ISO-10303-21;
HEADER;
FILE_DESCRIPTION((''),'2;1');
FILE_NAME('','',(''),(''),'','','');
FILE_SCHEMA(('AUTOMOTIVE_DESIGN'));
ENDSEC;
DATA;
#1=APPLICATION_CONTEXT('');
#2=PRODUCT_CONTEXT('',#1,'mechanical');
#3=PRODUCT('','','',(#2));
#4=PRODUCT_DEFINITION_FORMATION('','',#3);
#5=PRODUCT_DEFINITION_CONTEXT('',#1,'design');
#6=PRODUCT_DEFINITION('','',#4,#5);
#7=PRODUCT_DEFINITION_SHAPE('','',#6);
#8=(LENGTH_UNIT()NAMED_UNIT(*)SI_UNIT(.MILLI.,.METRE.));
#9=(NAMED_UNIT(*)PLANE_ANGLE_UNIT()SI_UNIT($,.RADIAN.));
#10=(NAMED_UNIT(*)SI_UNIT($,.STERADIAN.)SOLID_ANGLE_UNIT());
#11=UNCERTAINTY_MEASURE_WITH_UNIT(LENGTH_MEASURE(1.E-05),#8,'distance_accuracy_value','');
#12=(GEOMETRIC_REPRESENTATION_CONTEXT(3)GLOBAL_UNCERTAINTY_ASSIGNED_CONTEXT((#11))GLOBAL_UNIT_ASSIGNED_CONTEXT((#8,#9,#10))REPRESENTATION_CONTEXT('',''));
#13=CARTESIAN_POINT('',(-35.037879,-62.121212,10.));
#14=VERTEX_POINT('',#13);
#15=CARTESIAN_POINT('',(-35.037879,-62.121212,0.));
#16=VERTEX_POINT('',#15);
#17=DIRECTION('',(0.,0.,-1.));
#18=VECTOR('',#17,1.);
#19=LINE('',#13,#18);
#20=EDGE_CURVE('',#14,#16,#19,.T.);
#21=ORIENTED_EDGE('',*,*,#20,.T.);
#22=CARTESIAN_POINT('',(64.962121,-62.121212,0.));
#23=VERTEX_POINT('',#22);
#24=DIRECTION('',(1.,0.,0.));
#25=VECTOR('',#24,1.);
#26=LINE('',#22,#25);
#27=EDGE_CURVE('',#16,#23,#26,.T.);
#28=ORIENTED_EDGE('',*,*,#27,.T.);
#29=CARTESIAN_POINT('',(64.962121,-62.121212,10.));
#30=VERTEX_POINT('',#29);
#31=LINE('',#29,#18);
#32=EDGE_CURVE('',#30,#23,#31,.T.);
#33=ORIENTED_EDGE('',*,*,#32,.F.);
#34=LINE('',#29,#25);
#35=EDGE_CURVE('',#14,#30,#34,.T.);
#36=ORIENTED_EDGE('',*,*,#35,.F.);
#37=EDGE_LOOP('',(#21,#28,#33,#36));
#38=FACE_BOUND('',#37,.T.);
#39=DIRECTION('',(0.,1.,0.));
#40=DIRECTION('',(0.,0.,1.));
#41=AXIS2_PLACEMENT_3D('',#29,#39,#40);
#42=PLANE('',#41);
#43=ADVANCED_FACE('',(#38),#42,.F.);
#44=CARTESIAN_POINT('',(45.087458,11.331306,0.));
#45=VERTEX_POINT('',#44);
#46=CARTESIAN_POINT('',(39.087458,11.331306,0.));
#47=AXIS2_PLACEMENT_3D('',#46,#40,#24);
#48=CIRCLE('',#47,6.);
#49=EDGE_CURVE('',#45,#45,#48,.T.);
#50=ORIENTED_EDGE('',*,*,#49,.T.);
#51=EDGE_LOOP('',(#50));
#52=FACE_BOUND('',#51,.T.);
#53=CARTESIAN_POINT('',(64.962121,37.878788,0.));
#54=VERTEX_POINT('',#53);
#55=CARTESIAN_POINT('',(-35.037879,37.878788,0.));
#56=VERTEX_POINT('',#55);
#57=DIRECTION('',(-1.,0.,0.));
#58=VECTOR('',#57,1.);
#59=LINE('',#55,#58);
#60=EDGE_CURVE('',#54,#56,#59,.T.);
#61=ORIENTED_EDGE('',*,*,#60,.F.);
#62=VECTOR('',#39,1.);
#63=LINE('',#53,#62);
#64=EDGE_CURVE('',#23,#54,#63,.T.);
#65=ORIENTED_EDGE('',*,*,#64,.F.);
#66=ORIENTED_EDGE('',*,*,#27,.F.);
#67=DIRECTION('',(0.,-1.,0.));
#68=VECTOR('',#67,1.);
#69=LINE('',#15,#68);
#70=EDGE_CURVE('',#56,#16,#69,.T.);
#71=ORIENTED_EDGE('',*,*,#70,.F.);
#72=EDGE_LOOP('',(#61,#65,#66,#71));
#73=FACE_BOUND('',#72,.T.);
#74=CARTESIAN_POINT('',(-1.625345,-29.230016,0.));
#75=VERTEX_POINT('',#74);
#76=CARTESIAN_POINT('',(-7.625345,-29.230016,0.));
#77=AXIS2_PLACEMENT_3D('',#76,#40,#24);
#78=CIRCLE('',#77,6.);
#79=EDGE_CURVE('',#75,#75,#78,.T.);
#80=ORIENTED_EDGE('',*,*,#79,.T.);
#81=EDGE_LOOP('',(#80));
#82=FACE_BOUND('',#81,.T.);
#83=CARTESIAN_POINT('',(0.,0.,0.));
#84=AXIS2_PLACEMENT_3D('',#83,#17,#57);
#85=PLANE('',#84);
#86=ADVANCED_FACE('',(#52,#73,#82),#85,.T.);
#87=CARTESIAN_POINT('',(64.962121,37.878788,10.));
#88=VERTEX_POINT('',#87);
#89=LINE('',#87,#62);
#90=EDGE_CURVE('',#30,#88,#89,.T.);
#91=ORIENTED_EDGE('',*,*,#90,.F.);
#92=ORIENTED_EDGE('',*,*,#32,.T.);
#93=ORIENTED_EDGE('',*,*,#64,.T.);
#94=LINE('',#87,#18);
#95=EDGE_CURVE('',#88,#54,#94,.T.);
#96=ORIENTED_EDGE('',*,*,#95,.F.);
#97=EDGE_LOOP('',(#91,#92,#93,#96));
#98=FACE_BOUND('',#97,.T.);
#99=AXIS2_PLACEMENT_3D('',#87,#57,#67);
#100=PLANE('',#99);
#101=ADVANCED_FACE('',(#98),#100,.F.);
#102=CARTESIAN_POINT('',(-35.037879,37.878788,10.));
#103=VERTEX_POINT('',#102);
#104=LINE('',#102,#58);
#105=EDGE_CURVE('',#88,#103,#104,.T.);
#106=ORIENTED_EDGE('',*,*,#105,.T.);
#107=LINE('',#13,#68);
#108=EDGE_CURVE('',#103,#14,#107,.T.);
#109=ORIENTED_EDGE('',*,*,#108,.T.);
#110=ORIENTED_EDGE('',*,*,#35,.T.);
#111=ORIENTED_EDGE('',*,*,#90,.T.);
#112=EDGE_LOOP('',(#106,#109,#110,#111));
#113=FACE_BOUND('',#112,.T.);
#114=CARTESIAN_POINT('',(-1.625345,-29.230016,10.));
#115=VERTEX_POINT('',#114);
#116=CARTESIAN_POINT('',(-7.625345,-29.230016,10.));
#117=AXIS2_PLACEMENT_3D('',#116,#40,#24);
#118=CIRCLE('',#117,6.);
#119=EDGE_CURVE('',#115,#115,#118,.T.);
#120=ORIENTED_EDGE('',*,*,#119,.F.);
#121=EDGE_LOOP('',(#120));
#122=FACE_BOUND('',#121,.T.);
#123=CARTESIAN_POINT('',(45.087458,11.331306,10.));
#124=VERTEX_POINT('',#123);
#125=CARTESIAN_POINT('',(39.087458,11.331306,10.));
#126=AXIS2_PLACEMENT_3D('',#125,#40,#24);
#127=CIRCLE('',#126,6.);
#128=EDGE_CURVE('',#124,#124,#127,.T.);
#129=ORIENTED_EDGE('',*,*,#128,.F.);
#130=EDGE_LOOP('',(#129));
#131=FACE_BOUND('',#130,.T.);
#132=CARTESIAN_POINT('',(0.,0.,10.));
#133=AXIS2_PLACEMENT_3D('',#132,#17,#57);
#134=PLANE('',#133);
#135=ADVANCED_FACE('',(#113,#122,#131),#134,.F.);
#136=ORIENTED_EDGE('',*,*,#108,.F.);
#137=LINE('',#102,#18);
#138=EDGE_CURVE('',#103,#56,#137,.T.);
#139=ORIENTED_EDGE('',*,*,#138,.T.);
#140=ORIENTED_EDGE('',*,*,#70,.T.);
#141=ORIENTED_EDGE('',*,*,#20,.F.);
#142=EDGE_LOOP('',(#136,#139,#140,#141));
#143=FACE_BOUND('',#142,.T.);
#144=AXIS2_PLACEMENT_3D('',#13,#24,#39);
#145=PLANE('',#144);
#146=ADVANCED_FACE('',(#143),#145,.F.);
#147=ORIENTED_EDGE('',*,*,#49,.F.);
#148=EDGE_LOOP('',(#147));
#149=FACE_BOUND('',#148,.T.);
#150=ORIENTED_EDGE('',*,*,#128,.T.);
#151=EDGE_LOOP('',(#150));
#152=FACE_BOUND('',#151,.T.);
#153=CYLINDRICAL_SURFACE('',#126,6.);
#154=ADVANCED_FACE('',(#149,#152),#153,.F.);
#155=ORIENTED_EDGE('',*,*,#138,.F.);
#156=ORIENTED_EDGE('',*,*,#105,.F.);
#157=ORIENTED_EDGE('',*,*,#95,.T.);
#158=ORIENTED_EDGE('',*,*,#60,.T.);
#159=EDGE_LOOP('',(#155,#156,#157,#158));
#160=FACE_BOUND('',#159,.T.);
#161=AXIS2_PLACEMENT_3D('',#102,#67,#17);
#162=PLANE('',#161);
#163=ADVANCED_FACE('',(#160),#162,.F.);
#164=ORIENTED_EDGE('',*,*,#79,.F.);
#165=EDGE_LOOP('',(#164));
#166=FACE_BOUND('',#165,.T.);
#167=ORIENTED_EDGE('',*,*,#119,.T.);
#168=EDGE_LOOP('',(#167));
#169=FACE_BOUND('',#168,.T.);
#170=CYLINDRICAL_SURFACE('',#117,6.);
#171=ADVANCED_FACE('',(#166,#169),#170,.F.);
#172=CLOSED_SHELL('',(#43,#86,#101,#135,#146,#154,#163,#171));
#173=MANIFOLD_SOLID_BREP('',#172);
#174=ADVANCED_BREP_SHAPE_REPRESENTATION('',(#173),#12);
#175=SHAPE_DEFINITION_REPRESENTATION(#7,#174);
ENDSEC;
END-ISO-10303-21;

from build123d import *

# Parameters (mm, degrees)
SKETCH_1_W              = 100
SKETCH_1_H              = 100
EXTRUDE_1_DEPTH         = 10
HOLE_WIZARD_12_0_12_1_D = 12


with BuildPart() as part:
    # Эскиз1 → Бобышка-Вытянуть1 (new body)
    with BuildSketch(Plane.XY):
        with Locations((14.962121212, -12.121212121)):
            Rectangle(SKETCH_1_W, SKETCH_1_H)
    extrude(amount=EXTRUDE_1_DEPTH)

    # Диаметр отверстия Ø12.0 (12)1 (through all)
    with Locations(Plane.XY.offset(10)):
        with Locations((39.087457621, 11.331306141), (-7.625345147, -29.230016427)):
            Hole(HOLE_WIZARD_12_0_12_1_D / 2)


solid = part.part
